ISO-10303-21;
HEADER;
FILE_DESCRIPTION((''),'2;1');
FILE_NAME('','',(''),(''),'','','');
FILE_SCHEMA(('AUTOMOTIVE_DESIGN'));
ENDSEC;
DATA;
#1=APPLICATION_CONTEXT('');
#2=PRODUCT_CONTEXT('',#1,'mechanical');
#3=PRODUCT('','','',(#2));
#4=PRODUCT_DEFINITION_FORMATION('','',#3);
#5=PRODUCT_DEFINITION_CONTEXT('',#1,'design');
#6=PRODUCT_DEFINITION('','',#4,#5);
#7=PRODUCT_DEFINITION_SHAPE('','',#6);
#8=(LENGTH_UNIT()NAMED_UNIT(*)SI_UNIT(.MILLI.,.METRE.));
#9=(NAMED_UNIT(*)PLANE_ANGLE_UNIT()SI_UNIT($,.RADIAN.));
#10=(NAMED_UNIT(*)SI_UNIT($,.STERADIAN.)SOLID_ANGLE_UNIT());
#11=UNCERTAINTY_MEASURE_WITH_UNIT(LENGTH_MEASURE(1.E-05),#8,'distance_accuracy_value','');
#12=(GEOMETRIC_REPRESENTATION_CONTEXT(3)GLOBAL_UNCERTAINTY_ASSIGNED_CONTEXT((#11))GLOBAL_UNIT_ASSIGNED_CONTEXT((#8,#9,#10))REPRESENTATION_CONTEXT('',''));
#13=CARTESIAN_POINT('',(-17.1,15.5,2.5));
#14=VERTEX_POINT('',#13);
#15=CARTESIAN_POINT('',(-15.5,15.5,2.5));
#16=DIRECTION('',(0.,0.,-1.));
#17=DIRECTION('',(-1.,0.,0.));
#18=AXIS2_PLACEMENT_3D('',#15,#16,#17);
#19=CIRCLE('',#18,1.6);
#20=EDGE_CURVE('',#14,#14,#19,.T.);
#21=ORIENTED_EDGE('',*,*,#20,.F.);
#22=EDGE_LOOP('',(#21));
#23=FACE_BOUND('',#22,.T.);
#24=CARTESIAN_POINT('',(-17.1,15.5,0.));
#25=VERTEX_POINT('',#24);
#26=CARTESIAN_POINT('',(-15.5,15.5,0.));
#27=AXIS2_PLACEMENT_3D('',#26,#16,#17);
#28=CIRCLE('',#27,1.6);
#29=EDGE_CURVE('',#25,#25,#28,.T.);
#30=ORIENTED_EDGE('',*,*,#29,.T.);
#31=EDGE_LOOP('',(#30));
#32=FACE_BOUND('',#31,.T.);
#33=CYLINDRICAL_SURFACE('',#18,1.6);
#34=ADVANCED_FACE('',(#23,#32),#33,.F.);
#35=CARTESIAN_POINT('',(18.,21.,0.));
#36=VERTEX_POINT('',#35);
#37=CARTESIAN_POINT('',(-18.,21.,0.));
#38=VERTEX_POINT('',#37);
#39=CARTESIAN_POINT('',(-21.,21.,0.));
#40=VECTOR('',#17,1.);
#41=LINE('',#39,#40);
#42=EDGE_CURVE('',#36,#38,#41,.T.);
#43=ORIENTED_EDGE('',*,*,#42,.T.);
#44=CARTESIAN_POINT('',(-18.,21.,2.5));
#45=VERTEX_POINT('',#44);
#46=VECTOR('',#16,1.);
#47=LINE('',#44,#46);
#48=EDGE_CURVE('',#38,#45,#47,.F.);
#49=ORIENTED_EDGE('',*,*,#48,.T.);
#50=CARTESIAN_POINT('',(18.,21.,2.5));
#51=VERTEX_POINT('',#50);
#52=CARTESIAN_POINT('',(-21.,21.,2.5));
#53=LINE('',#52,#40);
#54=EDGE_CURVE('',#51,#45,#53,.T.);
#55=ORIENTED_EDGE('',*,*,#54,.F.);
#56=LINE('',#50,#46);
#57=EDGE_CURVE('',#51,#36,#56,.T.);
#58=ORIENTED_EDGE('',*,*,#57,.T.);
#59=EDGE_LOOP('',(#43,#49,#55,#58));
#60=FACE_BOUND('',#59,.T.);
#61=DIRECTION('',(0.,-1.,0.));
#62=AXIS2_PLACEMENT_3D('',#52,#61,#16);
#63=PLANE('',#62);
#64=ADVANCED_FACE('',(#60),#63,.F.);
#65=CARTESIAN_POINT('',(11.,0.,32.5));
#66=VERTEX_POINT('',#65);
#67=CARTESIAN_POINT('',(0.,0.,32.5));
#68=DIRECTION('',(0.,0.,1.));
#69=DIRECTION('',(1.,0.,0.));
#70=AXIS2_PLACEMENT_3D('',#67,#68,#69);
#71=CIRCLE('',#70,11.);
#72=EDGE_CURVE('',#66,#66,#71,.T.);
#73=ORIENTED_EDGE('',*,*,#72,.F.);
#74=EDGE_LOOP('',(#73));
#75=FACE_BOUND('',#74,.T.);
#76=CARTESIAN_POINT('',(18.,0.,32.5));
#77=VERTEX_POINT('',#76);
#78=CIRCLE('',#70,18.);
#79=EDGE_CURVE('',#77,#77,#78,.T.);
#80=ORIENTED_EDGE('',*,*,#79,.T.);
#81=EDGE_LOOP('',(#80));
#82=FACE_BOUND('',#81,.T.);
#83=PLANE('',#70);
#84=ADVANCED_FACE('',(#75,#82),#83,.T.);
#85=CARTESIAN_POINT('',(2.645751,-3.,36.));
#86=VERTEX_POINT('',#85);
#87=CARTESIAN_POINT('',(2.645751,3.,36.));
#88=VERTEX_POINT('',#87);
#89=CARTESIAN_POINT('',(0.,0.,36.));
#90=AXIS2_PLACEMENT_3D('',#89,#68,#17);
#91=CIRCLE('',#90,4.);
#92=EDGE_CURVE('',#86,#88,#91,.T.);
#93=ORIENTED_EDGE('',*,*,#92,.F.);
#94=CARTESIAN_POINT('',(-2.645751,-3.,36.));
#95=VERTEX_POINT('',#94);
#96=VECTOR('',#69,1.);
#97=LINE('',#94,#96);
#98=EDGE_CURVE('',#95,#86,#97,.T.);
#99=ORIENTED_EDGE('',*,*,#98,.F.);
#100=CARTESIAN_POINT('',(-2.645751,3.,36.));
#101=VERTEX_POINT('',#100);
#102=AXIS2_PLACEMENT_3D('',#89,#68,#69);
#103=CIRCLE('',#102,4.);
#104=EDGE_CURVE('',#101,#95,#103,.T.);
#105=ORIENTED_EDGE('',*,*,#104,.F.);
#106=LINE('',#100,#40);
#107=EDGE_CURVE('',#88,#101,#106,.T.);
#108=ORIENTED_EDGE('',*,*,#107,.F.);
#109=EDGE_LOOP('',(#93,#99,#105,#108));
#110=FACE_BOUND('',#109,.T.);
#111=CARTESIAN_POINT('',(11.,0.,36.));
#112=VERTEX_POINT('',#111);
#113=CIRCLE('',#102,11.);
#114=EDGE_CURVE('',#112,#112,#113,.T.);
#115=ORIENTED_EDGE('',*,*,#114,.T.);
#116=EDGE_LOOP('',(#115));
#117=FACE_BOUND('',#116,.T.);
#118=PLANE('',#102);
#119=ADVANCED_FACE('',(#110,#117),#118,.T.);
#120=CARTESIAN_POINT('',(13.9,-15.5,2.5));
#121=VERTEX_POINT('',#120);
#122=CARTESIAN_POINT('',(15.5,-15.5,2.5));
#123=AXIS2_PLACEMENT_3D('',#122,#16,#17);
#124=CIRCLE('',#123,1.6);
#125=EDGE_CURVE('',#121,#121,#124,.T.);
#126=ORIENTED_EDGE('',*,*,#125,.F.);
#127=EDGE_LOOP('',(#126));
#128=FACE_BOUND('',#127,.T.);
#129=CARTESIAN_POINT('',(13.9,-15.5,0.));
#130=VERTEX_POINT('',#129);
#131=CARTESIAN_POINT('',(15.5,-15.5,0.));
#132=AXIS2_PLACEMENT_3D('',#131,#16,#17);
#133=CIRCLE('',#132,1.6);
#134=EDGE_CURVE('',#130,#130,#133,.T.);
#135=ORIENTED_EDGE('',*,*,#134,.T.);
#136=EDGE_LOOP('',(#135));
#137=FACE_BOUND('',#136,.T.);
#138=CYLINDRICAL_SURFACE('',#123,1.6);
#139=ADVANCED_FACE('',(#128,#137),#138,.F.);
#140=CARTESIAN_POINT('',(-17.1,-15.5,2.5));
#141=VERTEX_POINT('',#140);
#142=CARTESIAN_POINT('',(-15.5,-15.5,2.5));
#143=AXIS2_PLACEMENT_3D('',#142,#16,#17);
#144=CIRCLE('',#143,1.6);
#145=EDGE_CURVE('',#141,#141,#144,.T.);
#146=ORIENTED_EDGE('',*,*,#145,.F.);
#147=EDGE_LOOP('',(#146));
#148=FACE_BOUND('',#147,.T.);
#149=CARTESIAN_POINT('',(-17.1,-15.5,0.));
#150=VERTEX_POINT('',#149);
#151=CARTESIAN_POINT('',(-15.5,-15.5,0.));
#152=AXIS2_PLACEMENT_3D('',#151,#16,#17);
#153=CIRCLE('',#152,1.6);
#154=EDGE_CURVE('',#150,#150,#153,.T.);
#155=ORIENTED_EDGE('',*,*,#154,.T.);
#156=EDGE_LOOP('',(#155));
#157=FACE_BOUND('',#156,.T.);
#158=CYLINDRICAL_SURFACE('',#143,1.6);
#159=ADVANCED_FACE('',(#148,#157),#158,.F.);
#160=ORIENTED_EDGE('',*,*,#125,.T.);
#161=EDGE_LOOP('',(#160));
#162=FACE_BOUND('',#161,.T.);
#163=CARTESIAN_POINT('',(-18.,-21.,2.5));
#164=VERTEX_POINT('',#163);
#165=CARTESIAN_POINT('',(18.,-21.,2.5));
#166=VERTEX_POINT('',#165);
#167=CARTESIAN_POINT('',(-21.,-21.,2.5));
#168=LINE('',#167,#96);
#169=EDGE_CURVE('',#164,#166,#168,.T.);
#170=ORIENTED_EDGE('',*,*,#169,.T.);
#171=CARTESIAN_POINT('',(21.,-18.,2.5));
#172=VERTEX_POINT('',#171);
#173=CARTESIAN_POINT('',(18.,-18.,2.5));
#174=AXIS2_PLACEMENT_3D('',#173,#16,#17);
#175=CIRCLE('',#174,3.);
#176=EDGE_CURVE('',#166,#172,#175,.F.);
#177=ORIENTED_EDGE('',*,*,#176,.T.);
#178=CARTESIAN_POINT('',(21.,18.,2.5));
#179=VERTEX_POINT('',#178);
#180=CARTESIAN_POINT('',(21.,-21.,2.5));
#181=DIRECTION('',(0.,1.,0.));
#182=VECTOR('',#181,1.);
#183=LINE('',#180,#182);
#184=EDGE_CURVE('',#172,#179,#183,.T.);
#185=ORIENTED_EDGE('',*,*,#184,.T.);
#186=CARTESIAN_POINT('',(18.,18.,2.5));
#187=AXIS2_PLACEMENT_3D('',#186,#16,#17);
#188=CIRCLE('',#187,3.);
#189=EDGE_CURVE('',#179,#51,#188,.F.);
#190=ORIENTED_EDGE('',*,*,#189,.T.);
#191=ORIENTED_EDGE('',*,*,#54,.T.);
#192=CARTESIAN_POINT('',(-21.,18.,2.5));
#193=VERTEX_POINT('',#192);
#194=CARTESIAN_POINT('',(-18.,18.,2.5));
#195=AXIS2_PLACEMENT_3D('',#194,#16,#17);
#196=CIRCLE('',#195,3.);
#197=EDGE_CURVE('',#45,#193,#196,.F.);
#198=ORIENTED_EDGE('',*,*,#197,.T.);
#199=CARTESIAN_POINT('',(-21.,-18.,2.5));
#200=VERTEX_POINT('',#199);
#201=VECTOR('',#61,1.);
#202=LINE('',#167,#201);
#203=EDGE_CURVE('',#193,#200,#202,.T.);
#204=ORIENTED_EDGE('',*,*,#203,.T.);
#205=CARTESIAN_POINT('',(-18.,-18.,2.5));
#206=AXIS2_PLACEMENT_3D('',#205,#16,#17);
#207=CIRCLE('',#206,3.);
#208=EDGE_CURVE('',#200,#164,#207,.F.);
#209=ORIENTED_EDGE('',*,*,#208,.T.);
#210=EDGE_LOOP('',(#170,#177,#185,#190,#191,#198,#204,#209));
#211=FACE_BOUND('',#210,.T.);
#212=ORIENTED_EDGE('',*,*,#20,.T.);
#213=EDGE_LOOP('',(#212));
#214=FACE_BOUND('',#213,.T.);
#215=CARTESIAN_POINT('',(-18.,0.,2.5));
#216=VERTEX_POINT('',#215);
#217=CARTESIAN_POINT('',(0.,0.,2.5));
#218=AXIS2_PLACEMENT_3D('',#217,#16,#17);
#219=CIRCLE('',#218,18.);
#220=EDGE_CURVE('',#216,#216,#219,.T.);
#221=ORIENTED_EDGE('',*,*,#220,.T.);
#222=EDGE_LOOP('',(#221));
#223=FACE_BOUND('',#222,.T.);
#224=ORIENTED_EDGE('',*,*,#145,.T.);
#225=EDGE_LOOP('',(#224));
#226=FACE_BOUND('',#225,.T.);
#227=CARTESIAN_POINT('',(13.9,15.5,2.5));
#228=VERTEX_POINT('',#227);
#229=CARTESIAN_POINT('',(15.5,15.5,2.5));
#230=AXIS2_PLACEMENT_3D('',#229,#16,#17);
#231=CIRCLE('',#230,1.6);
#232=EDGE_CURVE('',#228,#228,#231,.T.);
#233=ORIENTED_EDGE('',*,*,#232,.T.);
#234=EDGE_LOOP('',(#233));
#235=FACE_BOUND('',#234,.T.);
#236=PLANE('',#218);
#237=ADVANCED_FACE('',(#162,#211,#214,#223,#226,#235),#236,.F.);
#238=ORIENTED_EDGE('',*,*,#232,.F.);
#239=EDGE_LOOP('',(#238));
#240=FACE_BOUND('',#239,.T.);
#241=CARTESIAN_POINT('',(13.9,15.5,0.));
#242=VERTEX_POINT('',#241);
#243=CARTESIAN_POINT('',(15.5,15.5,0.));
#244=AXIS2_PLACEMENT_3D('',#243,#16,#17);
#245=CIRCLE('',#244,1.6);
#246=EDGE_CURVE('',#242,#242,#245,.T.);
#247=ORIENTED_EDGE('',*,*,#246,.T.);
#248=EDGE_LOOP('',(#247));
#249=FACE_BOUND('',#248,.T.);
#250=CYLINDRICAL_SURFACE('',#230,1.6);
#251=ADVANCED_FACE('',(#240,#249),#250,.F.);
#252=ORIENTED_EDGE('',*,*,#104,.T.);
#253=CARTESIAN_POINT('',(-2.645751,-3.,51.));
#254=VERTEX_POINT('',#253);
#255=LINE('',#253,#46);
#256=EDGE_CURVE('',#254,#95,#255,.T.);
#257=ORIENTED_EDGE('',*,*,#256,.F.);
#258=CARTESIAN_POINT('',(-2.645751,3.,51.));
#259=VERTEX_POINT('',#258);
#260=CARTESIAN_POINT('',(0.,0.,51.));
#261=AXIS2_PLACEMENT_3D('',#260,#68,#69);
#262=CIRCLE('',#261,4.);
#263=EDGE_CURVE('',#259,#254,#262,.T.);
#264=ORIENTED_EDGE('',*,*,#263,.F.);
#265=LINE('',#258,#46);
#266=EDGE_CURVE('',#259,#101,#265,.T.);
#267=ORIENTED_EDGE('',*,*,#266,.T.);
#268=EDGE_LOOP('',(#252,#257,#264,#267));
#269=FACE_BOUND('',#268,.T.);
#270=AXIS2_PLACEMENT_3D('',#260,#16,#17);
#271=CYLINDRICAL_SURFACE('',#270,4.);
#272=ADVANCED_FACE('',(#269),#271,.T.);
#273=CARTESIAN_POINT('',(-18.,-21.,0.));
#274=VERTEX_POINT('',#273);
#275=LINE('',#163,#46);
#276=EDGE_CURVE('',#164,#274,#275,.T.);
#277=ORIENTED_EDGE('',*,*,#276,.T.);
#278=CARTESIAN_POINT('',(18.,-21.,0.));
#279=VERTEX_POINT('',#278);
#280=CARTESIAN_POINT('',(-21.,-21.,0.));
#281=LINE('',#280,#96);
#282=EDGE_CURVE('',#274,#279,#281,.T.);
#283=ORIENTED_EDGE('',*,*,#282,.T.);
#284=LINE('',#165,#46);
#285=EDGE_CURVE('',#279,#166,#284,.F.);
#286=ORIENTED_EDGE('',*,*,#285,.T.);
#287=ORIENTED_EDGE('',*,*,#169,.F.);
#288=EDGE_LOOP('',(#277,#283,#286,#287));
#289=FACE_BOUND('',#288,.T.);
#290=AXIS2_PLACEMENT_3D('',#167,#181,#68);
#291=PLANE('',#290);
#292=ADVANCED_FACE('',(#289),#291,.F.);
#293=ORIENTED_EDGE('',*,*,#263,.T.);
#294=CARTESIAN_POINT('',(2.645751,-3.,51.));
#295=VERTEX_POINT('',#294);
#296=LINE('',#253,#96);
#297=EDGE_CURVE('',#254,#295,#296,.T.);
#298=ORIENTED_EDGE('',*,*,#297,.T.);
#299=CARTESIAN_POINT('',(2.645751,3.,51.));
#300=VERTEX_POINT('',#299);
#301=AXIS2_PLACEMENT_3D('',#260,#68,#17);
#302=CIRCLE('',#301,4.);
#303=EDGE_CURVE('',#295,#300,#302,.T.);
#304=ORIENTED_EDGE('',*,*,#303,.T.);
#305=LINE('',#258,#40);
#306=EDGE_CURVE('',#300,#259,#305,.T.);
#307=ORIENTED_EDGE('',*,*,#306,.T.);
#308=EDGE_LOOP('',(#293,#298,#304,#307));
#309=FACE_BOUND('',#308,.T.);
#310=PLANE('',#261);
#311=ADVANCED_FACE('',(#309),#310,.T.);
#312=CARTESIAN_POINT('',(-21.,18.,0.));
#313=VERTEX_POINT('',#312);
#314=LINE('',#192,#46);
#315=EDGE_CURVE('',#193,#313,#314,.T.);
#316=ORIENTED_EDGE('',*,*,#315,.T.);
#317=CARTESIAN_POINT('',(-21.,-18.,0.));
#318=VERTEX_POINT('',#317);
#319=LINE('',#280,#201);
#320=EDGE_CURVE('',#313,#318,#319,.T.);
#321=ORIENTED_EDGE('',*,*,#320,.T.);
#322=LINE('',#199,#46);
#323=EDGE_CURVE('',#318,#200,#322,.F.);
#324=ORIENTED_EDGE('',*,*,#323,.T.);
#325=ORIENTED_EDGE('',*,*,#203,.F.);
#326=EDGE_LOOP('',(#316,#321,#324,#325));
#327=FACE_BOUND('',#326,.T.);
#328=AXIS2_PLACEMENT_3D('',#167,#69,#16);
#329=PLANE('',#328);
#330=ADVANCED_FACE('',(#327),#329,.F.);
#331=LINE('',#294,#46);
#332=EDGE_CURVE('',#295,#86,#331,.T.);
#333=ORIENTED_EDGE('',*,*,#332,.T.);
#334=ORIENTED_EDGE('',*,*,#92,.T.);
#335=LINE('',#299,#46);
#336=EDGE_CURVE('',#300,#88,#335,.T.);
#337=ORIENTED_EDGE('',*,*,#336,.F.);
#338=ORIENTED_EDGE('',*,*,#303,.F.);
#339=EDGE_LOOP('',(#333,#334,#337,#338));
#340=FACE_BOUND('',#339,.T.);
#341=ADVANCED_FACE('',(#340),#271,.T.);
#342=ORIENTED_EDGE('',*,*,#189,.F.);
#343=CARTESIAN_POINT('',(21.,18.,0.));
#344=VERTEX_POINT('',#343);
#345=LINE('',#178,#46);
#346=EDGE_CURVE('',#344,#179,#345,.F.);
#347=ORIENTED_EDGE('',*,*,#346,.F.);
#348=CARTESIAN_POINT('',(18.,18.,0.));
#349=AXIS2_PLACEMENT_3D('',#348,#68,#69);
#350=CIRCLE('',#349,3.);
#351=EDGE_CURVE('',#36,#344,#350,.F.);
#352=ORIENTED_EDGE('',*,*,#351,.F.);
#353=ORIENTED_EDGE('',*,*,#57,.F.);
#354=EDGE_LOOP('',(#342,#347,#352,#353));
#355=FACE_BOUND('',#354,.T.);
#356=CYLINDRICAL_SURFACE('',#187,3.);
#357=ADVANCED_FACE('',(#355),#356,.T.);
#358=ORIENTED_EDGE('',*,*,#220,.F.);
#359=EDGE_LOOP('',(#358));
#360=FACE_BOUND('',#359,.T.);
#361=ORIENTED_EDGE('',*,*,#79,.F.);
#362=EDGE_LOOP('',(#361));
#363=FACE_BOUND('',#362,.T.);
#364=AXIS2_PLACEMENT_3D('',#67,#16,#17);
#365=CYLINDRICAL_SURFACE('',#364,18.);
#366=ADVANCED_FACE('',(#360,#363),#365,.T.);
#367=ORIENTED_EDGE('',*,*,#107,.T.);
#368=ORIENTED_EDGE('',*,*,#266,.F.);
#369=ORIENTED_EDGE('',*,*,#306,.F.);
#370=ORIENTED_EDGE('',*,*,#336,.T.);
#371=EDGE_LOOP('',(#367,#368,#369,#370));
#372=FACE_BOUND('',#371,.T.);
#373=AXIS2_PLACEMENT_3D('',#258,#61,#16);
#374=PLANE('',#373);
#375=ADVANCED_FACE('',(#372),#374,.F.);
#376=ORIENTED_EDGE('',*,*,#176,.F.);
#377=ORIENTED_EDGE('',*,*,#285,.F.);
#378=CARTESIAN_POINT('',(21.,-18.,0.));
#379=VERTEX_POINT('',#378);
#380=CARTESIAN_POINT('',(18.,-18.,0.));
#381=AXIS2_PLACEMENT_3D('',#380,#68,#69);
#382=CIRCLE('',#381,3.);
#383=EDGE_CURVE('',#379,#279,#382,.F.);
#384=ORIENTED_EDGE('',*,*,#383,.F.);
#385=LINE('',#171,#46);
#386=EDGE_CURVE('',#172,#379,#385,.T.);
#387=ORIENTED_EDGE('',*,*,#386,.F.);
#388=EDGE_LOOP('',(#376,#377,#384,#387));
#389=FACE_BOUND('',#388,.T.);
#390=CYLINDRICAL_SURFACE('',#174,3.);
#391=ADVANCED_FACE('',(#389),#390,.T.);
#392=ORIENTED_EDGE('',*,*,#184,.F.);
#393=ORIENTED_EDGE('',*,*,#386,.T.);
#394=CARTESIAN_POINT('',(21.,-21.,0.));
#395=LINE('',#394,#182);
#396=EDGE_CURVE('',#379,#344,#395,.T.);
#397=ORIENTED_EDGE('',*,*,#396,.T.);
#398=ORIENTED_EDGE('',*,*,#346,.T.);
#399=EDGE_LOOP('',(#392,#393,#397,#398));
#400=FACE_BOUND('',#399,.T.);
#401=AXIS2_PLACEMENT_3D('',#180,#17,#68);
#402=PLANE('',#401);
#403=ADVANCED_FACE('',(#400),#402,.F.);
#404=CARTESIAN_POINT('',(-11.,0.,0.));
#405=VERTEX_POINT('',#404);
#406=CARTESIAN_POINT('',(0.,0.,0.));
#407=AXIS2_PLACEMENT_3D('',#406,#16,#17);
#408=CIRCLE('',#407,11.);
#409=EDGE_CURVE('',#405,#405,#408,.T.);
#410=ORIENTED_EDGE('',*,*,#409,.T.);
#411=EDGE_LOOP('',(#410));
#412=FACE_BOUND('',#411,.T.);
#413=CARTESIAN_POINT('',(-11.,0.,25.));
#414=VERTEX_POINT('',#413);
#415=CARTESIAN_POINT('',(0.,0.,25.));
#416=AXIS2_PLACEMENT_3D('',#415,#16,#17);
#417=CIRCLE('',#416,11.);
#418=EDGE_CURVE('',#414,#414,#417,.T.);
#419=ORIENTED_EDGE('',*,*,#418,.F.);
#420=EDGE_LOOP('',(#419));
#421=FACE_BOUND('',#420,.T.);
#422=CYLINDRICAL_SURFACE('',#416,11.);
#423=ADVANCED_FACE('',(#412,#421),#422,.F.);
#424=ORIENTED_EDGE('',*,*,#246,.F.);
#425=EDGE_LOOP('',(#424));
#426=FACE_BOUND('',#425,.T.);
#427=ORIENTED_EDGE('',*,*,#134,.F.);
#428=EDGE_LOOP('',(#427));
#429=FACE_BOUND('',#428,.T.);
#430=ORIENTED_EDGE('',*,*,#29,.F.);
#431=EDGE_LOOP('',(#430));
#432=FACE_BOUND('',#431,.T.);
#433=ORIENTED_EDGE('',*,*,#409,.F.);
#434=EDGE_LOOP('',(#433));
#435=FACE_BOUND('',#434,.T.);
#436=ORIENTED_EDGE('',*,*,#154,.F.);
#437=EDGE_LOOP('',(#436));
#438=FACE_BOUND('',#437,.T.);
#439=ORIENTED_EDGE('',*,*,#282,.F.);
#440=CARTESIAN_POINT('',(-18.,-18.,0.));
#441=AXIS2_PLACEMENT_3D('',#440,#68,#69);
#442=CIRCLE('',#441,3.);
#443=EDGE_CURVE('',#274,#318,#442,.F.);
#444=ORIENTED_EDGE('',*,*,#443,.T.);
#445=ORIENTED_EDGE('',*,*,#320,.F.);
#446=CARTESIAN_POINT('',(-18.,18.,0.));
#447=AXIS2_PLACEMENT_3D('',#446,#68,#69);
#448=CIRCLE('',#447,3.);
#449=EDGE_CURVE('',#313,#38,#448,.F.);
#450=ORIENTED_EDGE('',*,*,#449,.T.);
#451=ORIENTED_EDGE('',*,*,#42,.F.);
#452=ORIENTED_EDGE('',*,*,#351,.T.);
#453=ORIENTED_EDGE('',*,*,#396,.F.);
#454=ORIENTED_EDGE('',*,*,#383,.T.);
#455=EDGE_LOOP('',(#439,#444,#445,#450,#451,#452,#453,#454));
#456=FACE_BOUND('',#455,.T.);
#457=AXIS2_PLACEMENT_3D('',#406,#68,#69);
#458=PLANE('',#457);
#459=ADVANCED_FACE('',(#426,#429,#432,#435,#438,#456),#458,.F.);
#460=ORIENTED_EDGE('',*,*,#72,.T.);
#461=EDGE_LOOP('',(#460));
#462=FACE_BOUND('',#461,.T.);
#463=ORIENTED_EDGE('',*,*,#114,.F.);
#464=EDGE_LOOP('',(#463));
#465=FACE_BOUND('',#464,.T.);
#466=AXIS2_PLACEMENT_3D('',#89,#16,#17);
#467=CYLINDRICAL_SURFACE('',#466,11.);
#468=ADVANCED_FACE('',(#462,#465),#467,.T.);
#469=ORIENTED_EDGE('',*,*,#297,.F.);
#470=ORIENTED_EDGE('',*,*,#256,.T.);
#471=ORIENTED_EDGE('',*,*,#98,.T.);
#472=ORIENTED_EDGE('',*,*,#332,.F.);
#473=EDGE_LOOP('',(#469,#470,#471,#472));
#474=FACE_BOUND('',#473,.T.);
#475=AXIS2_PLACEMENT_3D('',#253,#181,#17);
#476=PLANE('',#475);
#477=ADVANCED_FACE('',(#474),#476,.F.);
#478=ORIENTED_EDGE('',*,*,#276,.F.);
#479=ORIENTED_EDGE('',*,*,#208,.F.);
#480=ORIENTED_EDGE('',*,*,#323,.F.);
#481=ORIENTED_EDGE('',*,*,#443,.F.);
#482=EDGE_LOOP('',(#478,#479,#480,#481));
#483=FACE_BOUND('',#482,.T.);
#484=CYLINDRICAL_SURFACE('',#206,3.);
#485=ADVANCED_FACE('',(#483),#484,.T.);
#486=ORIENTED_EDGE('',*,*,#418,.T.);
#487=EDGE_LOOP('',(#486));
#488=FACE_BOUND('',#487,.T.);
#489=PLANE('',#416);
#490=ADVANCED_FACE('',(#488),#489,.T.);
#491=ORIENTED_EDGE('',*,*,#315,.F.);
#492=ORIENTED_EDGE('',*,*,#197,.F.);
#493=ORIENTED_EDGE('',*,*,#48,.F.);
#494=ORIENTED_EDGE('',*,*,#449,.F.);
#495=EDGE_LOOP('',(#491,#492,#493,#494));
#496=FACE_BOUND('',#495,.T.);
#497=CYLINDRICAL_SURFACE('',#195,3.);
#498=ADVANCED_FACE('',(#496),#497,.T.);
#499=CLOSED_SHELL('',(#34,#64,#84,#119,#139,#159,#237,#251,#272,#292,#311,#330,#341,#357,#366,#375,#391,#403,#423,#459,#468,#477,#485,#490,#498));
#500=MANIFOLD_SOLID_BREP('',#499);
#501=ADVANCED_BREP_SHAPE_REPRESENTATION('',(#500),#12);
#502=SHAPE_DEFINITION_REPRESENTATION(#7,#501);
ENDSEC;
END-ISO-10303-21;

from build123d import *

# Parameters (mm, degrees)
SKETCH_1_R          = 18
EXTRUDE_1_DEPTH     = 32.5
SKETCH_1_3_W        = 42
SKETCH_1_3_H        = 42
SKETCH_1_3_R        = 18
EXTRUDE_2_DEPTH     = 2.5
FILLET_1_R          = 3
SKETCH_4_R          = 1.6
CUT_EXTRUDE_1_DEPTH = 2.5
SKETCH_5_R          = 11
EXTRUDE_3_DEPTH     = 3.5
EXTRUDE_4_DEPTH     = 15
SKETCH_7_R          = 11
CUT_EXTRUDE_2_DEPTH = 25


with BuildPart() as part:
    # 草图1 → 凸台-拉伸1 (new body)
    with BuildSketch(Plane.XY):
        Circle(SKETCH_1_R)
    extrude(amount=EXTRUDE_1_DEPTH)

    # 草图1<3> → 凸台-拉伸2 (add)
    with BuildSketch(Plane.XY):
        Rectangle(SKETCH_1_3_W, SKETCH_1_3_H)
        Circle(SKETCH_1_3_R, mode=Mode.SUBTRACT)
    extrude(amount=EXTRUDE_2_DEPTH)

    # 圆角1
    fillet_1_edges = [part.edges().sort_by_distance(p)[0] for p in [
        (21, -21, 1.25),
        (-21, -21, 1.25),
        (-21, 21, 1.25),
        (21, 21, 1.25),
    ]]
    fillet(fillet_1_edges, radius=FILLET_1_R)

    # 草图4 → 切除-拉伸1 (cut)
    with BuildSketch(Plane(origin=(0, 0, 0), x_dir=(-1, 0, 0), z_dir=(0, 0, -1))):
        with Locations((-15.5, 15.5)):
            Circle(SKETCH_4_R)
        with Locations((-15.5, -15.5)):
            Circle(SKETCH_4_R)
        with Locations((15.5, -15.5)):
            Circle(SKETCH_4_R)
        with Locations((15.5, 15.5)):
            Circle(SKETCH_4_R)
    extrude(amount=-CUT_EXTRUDE_1_DEPTH, mode=Mode.SUBTRACT)

    # 草图5 → 凸台-拉伸3 (add)
    with BuildSketch(Plane.XY.offset(32.5)):
        Circle(SKETCH_5_R)
    extrude(amount=EXTRUDE_3_DEPTH)

    # 草图6 → 凸台-拉伸4 (add)
    with BuildSketch(Plane.XY.offset(36)):
        with BuildLine():
            Line((-2.645751311, -3), (2.645751311, -3))
            ThreePointArc((2.645751311, -3), (4, 0), (2.645751311, 3))
            Line((2.645751311, 3), (-2.645751311, 3))
            ThreePointArc((-2.645751311, 3), (-4, 0), (-2.645751311, -3))
        make_face()
    extrude(amount=EXTRUDE_4_DEPTH)

    # 草图7 → 切除-拉伸2 (cut)
    with BuildSketch(Plane(origin=(0, 0, 0), x_dir=(-1, 0, 0), z_dir=(0, 0, -1))):
        Circle(SKETCH_7_R)
    extrude(amount=-CUT_EXTRUDE_2_DEPTH, mode=Mode.SUBTRACT)


solid = part.part
